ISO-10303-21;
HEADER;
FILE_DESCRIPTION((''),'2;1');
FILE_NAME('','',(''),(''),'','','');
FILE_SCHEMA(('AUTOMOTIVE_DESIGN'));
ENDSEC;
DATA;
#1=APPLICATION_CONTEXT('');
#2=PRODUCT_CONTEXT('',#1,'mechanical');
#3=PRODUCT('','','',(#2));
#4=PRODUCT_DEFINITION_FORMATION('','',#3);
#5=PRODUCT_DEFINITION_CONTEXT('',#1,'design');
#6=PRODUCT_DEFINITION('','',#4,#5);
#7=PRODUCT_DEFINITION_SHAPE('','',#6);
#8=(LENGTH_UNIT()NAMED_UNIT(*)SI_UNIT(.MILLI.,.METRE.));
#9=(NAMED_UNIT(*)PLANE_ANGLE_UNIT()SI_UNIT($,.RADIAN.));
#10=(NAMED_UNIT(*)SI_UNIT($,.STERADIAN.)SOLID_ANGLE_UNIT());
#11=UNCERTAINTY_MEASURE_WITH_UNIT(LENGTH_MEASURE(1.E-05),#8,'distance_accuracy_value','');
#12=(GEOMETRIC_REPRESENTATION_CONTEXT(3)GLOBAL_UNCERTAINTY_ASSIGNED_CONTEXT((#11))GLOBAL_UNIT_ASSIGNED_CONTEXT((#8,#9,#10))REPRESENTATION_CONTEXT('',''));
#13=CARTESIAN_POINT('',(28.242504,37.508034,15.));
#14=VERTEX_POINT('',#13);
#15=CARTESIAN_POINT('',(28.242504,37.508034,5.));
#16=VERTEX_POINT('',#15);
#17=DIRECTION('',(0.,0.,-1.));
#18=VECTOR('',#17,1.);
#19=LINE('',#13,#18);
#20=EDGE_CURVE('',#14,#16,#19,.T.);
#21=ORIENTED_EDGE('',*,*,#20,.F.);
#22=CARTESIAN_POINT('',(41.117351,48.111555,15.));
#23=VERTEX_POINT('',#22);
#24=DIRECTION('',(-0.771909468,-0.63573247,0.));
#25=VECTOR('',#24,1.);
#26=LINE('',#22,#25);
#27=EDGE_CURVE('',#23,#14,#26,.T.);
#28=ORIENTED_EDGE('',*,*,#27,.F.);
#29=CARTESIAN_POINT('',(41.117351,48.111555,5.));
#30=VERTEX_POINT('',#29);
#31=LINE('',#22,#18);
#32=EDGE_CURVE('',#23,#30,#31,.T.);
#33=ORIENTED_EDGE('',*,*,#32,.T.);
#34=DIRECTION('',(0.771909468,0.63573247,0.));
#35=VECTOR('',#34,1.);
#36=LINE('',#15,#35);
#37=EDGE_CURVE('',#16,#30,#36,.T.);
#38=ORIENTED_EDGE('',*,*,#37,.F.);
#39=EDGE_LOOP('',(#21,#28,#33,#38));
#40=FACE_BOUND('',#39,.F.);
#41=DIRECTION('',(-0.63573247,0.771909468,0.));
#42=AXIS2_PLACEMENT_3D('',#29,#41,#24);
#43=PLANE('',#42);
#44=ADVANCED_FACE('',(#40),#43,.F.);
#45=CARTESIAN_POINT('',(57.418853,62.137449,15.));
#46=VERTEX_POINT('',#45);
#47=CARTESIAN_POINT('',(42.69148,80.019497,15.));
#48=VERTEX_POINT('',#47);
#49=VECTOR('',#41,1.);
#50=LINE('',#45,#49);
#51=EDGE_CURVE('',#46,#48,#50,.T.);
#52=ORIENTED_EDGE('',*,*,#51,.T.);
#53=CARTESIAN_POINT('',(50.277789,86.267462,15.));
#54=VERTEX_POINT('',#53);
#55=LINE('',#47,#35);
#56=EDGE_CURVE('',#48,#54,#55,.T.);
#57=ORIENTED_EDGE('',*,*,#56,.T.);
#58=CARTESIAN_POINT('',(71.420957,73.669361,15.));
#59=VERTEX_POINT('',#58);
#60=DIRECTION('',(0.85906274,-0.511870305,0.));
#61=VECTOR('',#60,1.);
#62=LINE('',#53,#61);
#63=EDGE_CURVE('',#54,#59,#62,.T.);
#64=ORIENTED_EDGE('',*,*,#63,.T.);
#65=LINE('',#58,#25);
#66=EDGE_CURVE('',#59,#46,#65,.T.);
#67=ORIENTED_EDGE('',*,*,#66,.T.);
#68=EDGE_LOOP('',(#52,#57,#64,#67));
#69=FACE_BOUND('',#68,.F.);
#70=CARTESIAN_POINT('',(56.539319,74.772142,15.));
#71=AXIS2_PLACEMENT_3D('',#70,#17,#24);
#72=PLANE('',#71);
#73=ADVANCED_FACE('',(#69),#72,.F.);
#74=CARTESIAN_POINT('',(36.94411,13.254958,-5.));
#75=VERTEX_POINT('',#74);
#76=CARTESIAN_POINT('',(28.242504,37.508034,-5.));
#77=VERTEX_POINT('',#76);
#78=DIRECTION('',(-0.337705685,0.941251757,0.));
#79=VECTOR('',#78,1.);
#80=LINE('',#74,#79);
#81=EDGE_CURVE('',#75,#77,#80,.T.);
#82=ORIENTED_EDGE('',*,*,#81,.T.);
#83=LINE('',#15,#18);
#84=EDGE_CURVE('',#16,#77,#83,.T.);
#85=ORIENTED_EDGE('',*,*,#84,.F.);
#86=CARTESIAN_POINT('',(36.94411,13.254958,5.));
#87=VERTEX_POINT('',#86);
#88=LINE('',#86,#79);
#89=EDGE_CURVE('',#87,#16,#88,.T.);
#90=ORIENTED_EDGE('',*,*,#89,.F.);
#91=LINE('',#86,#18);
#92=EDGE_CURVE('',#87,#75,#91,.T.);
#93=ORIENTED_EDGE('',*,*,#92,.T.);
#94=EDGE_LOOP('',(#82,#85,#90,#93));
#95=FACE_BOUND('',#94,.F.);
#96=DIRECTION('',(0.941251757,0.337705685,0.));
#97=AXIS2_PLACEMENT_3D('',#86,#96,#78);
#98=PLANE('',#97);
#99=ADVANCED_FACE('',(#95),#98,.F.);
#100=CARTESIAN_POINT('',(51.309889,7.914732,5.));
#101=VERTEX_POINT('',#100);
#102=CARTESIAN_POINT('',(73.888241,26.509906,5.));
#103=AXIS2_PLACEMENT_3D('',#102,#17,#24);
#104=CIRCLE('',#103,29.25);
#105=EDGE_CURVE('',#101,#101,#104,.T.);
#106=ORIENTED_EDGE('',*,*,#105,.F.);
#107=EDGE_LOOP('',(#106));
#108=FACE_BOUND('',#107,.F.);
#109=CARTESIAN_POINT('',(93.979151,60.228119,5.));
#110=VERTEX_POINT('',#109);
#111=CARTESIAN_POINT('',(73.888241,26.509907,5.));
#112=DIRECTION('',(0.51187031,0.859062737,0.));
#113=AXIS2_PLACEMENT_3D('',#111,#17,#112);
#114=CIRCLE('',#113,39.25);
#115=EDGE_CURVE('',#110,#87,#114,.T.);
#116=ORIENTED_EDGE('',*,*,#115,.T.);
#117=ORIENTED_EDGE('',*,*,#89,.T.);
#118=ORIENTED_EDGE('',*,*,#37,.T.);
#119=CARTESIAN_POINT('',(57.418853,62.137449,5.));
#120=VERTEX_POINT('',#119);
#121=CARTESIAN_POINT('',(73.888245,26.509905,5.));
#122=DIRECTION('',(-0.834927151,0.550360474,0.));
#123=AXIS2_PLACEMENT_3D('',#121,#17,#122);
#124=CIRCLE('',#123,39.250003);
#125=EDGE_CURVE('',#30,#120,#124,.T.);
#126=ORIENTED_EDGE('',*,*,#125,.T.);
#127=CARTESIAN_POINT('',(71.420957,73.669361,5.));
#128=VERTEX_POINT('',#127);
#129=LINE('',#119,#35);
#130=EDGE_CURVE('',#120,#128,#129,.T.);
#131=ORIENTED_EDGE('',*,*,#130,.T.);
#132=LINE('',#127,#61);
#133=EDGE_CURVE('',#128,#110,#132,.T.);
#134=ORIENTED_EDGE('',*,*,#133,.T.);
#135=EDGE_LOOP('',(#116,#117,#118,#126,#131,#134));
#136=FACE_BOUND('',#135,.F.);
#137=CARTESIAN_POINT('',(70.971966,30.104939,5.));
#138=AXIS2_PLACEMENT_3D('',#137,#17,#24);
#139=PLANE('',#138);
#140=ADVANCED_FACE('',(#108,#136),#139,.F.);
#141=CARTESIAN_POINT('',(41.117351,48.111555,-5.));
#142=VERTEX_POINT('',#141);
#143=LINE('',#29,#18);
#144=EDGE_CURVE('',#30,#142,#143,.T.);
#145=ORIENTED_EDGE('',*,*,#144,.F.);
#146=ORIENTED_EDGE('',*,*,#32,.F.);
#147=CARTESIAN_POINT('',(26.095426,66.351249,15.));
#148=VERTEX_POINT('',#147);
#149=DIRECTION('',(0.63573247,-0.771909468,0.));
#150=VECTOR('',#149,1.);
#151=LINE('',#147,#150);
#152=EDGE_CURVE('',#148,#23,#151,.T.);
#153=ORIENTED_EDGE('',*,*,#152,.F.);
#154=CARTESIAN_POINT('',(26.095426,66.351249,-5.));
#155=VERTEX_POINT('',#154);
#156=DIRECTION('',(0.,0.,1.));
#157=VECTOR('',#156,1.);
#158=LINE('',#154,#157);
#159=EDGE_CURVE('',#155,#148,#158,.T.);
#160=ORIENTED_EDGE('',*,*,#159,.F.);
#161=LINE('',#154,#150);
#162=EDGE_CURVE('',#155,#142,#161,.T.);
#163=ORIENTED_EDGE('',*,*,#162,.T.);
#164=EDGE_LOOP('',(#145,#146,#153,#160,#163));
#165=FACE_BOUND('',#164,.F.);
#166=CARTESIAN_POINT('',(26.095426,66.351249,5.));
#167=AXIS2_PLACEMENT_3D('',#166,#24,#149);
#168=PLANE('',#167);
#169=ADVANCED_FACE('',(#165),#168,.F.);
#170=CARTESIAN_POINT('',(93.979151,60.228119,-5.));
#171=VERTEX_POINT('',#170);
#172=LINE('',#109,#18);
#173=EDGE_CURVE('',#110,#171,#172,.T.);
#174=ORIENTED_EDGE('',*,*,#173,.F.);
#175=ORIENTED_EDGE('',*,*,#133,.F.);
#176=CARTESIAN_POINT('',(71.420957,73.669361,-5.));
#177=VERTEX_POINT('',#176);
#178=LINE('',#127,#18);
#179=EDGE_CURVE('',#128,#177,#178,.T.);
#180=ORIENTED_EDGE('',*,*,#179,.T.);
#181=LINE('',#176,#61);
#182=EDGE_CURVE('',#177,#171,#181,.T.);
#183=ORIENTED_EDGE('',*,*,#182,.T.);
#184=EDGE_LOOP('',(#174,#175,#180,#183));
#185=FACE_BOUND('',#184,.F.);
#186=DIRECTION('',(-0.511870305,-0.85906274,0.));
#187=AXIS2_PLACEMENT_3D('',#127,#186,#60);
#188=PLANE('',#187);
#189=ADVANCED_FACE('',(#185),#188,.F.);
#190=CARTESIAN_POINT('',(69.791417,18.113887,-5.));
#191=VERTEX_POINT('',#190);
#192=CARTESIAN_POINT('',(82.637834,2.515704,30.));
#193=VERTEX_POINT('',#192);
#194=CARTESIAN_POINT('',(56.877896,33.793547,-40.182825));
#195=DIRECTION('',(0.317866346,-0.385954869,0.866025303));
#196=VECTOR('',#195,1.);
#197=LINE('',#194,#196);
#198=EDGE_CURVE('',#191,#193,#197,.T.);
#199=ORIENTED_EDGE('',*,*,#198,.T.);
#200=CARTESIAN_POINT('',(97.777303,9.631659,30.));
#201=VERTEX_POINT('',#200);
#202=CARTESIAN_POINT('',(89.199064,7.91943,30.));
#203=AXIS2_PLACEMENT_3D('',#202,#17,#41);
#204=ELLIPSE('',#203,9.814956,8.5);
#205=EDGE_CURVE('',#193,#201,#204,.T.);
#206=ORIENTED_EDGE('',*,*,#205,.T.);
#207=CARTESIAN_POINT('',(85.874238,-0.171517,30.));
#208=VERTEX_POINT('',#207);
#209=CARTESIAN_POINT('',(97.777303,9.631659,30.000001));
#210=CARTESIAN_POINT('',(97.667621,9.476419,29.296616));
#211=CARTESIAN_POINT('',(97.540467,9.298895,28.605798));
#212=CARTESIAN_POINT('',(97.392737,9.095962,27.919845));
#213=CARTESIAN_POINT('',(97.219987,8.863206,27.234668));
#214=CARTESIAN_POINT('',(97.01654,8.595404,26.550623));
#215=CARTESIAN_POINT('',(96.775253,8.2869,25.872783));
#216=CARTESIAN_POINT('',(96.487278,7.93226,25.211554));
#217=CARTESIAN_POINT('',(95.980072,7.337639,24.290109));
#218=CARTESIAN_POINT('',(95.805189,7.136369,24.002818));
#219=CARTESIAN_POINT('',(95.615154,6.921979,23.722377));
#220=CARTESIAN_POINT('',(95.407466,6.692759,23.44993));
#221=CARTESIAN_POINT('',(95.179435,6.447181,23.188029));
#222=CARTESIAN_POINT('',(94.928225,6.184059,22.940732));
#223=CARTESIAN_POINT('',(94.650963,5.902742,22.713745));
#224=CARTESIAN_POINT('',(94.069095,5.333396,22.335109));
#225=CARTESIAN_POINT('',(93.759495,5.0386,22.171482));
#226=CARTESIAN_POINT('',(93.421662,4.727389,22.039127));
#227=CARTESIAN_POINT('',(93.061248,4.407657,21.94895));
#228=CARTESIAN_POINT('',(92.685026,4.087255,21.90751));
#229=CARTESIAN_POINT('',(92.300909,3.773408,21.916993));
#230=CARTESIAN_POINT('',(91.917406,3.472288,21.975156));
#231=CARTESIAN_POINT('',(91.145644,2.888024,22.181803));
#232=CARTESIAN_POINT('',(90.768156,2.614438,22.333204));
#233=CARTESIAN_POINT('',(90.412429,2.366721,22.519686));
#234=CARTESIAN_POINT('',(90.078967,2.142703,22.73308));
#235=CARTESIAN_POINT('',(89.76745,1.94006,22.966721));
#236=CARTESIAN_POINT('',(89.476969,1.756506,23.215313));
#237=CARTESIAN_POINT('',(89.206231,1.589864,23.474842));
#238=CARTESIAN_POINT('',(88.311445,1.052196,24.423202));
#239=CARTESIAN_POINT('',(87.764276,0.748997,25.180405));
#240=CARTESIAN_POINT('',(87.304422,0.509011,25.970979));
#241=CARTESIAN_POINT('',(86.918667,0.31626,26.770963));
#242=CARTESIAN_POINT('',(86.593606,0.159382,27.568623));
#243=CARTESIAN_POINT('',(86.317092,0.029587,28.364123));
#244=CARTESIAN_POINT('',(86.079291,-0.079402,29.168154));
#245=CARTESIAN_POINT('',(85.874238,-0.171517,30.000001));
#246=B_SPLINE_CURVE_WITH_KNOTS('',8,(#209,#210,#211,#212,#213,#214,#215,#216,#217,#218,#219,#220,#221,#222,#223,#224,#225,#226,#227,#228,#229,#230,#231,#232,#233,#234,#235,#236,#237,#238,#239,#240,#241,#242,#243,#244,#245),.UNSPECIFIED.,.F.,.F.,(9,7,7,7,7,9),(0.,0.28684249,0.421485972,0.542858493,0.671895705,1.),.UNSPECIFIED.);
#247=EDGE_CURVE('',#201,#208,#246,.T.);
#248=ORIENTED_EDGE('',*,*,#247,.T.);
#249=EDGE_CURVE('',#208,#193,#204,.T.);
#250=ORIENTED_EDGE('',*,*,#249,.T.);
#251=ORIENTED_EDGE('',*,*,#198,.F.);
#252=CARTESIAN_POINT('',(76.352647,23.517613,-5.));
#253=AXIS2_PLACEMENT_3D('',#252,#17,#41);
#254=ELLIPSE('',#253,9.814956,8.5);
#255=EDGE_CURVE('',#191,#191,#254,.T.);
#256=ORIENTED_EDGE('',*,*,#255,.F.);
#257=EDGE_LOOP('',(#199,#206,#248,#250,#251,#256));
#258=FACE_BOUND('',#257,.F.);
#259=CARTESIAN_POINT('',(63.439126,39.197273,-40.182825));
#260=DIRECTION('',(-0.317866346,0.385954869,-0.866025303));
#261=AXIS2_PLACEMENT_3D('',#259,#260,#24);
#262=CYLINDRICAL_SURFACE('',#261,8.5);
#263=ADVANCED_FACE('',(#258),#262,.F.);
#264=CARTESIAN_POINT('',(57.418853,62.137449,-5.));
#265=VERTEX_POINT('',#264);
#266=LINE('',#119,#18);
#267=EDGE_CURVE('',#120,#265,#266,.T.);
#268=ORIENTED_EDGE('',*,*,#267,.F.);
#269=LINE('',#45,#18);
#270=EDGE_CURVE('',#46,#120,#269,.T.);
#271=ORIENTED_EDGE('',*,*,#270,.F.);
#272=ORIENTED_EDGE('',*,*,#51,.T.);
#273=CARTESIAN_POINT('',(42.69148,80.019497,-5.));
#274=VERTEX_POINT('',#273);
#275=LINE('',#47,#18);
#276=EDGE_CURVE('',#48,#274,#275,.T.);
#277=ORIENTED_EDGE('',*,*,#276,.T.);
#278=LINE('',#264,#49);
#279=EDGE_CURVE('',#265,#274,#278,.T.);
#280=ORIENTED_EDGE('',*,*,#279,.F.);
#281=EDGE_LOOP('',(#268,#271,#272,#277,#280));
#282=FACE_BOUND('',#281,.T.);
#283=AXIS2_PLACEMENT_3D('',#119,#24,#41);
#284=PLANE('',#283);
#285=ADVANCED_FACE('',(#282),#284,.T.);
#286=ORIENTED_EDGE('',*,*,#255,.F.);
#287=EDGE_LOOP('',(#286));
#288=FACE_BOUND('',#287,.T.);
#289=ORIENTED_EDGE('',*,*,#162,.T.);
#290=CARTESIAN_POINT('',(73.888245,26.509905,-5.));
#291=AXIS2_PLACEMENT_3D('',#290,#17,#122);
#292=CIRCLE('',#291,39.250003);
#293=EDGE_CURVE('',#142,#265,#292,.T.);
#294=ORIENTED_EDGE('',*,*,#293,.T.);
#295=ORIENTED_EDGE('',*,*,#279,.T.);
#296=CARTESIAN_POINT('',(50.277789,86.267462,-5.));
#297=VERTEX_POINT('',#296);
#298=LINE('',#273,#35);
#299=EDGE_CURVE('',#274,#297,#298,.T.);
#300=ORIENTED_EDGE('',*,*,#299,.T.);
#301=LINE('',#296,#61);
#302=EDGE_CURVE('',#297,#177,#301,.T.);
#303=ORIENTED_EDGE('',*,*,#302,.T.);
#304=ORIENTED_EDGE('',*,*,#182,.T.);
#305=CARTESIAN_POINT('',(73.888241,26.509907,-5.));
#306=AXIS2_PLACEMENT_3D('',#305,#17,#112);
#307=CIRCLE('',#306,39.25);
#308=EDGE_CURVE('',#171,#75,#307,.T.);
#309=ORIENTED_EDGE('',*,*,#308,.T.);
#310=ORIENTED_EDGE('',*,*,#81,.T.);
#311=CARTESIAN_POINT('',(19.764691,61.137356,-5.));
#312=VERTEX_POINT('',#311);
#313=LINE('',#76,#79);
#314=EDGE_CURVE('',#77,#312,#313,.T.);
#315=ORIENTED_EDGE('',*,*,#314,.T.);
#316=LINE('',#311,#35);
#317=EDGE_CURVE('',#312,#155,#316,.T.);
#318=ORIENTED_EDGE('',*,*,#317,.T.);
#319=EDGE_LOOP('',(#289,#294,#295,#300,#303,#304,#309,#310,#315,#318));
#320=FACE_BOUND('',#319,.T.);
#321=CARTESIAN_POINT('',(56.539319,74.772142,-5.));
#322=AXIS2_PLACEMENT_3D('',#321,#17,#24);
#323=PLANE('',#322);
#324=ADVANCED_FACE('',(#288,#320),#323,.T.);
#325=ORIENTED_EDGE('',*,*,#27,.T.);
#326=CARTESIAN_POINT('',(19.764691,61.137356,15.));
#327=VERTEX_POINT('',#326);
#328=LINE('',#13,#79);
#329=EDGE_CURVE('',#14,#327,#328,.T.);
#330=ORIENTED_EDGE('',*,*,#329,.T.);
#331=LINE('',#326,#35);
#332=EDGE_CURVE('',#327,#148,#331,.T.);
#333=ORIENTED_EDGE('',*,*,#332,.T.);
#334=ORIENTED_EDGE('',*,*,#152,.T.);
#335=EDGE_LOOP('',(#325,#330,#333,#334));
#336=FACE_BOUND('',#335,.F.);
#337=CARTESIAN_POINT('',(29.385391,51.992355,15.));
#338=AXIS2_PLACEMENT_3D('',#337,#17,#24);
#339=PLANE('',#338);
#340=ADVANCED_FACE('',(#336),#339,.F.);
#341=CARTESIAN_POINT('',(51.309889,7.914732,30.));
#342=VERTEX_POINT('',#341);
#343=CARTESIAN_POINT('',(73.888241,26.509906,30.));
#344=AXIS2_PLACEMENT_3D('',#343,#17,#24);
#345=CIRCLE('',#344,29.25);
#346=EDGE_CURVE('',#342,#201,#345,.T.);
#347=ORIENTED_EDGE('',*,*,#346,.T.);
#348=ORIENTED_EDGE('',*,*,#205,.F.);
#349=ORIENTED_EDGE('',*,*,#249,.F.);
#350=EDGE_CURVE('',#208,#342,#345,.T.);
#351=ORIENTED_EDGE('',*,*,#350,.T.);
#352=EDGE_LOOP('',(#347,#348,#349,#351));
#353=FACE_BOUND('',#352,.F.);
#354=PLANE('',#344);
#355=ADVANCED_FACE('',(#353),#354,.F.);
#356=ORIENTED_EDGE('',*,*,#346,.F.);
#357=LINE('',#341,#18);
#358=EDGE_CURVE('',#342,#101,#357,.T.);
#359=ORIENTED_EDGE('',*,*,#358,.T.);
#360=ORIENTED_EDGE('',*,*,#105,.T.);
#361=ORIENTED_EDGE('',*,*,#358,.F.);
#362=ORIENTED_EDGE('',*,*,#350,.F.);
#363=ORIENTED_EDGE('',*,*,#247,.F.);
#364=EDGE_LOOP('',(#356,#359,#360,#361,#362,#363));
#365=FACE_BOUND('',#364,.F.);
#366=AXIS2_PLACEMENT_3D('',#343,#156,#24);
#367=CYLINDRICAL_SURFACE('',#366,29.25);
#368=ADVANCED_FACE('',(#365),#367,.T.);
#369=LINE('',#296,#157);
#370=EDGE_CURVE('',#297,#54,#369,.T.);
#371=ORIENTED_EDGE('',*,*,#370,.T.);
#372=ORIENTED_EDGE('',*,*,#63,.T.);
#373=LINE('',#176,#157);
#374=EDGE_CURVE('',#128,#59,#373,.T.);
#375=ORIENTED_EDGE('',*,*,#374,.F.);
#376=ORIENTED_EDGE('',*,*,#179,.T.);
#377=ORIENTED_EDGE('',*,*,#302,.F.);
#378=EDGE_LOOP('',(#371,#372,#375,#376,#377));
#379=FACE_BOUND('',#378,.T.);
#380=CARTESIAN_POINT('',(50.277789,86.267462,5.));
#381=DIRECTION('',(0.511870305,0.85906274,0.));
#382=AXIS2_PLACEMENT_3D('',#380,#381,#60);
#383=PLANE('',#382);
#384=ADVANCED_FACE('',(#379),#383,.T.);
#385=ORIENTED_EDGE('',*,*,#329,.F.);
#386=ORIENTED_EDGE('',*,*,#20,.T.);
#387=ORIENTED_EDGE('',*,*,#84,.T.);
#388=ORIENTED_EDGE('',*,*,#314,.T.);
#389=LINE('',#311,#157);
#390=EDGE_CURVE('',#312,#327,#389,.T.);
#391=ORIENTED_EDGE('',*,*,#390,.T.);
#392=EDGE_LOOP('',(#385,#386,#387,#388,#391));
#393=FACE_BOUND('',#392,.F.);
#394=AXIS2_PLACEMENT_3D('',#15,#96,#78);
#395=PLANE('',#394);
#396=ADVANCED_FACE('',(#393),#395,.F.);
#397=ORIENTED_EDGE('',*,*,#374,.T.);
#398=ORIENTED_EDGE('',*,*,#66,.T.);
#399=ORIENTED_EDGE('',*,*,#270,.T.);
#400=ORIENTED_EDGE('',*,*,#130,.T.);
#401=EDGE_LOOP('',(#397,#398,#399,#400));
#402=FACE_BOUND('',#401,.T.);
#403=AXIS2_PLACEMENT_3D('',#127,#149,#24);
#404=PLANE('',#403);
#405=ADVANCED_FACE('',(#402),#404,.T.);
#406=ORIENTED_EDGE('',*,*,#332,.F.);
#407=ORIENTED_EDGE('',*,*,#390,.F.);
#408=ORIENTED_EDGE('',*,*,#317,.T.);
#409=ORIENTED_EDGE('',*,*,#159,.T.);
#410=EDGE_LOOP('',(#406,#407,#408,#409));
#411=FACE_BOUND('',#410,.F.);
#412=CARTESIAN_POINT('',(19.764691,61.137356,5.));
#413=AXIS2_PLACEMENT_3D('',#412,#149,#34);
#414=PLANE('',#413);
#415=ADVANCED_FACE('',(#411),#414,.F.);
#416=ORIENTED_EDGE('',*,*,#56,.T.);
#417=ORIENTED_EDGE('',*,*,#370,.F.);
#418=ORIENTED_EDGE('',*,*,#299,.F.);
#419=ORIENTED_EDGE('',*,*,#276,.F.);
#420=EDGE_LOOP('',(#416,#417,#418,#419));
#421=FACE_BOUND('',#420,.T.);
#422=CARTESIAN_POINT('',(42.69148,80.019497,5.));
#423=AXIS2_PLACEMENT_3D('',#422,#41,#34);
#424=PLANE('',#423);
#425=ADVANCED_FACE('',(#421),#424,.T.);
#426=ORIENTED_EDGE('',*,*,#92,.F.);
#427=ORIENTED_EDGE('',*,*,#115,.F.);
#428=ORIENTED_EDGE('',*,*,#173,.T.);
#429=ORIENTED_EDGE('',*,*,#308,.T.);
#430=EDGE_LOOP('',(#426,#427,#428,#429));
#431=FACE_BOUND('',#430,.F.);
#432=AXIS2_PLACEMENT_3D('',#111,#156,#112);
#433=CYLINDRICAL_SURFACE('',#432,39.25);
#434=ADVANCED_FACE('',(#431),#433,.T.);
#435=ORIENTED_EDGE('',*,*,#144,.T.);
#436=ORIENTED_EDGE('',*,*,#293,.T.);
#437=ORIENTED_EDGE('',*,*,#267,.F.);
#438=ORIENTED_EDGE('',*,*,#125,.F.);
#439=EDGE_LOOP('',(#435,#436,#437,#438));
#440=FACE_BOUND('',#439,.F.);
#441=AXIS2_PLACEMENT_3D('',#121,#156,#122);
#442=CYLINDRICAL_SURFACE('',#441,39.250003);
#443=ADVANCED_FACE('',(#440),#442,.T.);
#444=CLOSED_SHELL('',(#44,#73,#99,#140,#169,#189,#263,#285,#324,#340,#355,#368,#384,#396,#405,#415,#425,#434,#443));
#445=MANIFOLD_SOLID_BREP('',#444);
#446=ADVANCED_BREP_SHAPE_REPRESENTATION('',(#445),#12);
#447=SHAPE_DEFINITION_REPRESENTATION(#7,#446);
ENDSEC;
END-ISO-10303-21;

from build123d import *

# Parameters (mm, degrees)
F0_R      = 29.25
F1_DEPTH  = 25
F2_R      = 29.25
F3_DEPTH  = 10
F4_DEPTH  = 10
F9_R      = 8.5
F10_DEPTH = 152
F11_ANGLE = 180


with BuildPart() as f1:
    # F0 (on Top) → F1 (new body)
    with BuildSketch(Plane.XY):
        Circle(F0_R)
    extrude(amount=F1_DEPTH)

    # F2 (on face) → F3 (join)
    with BuildSketch(Plane.XY.offset(25)):
        with BuildLine():
            Line((28.24251, 37.508036), (11.563291, 37.508036))
            ThreePointArc((11.563291, 37.508036), (0.845642, 39.240889), (-9.936709, 37.971362))
            Line((-9.936709, 37.971362), (-28.076276, 37.971362))
            Line((-28.076276, 37.971362), (-36.944126, 13.254964))
            ThreePointArc((-36.944126, 13.254964), (0, -39.25), (36.944126, 13.254964))
            Line((36.944126, 13.254964), (28.24251, 37.508036))
        make_face()
        Circle(F2_R, mode=Mode.SUBTRACT)
        Circle(F2_R)
    extrude(amount=F3_DEPTH)

    # F2 (on face) → F4 (join, symmetric)
    with BuildSketch(Plane.XY.offset(25)):
        Polygon((11.563291, 61.137354), (11.563291, 37.508036), (28.24251, 37.508036), (19.764687, 61.137354), align=None)
        Polygon((-28.076276, 37.971362), (-9.936709, 37.971362), (-9.936709, 61.137354), (-19.764687, 61.137354), align=None)
    extrude(amount=F4_DEPTH, both=True)

    # F9 (on face) → F10 (cut)
    with BuildSketch(Plane(origin=(0, 34.499137, 59.754259), x_dir=(1, 0, 0), z_dir=(0, 0.5, 0.866025))):
        with Locations((0, -20.857124)):
            Circle(F9_R)
    extrude(amount=-F10_DEPTH, mode=Mode.SUBTRACT)


with BuildPart() as f1_1:
    # F11: moved
    add(f1.part.rotate(Axis((24.003598, 49.322695, 15), (0.337706, -0.941252, 0)), F11_ANGLE))


solid = f1_1.part
